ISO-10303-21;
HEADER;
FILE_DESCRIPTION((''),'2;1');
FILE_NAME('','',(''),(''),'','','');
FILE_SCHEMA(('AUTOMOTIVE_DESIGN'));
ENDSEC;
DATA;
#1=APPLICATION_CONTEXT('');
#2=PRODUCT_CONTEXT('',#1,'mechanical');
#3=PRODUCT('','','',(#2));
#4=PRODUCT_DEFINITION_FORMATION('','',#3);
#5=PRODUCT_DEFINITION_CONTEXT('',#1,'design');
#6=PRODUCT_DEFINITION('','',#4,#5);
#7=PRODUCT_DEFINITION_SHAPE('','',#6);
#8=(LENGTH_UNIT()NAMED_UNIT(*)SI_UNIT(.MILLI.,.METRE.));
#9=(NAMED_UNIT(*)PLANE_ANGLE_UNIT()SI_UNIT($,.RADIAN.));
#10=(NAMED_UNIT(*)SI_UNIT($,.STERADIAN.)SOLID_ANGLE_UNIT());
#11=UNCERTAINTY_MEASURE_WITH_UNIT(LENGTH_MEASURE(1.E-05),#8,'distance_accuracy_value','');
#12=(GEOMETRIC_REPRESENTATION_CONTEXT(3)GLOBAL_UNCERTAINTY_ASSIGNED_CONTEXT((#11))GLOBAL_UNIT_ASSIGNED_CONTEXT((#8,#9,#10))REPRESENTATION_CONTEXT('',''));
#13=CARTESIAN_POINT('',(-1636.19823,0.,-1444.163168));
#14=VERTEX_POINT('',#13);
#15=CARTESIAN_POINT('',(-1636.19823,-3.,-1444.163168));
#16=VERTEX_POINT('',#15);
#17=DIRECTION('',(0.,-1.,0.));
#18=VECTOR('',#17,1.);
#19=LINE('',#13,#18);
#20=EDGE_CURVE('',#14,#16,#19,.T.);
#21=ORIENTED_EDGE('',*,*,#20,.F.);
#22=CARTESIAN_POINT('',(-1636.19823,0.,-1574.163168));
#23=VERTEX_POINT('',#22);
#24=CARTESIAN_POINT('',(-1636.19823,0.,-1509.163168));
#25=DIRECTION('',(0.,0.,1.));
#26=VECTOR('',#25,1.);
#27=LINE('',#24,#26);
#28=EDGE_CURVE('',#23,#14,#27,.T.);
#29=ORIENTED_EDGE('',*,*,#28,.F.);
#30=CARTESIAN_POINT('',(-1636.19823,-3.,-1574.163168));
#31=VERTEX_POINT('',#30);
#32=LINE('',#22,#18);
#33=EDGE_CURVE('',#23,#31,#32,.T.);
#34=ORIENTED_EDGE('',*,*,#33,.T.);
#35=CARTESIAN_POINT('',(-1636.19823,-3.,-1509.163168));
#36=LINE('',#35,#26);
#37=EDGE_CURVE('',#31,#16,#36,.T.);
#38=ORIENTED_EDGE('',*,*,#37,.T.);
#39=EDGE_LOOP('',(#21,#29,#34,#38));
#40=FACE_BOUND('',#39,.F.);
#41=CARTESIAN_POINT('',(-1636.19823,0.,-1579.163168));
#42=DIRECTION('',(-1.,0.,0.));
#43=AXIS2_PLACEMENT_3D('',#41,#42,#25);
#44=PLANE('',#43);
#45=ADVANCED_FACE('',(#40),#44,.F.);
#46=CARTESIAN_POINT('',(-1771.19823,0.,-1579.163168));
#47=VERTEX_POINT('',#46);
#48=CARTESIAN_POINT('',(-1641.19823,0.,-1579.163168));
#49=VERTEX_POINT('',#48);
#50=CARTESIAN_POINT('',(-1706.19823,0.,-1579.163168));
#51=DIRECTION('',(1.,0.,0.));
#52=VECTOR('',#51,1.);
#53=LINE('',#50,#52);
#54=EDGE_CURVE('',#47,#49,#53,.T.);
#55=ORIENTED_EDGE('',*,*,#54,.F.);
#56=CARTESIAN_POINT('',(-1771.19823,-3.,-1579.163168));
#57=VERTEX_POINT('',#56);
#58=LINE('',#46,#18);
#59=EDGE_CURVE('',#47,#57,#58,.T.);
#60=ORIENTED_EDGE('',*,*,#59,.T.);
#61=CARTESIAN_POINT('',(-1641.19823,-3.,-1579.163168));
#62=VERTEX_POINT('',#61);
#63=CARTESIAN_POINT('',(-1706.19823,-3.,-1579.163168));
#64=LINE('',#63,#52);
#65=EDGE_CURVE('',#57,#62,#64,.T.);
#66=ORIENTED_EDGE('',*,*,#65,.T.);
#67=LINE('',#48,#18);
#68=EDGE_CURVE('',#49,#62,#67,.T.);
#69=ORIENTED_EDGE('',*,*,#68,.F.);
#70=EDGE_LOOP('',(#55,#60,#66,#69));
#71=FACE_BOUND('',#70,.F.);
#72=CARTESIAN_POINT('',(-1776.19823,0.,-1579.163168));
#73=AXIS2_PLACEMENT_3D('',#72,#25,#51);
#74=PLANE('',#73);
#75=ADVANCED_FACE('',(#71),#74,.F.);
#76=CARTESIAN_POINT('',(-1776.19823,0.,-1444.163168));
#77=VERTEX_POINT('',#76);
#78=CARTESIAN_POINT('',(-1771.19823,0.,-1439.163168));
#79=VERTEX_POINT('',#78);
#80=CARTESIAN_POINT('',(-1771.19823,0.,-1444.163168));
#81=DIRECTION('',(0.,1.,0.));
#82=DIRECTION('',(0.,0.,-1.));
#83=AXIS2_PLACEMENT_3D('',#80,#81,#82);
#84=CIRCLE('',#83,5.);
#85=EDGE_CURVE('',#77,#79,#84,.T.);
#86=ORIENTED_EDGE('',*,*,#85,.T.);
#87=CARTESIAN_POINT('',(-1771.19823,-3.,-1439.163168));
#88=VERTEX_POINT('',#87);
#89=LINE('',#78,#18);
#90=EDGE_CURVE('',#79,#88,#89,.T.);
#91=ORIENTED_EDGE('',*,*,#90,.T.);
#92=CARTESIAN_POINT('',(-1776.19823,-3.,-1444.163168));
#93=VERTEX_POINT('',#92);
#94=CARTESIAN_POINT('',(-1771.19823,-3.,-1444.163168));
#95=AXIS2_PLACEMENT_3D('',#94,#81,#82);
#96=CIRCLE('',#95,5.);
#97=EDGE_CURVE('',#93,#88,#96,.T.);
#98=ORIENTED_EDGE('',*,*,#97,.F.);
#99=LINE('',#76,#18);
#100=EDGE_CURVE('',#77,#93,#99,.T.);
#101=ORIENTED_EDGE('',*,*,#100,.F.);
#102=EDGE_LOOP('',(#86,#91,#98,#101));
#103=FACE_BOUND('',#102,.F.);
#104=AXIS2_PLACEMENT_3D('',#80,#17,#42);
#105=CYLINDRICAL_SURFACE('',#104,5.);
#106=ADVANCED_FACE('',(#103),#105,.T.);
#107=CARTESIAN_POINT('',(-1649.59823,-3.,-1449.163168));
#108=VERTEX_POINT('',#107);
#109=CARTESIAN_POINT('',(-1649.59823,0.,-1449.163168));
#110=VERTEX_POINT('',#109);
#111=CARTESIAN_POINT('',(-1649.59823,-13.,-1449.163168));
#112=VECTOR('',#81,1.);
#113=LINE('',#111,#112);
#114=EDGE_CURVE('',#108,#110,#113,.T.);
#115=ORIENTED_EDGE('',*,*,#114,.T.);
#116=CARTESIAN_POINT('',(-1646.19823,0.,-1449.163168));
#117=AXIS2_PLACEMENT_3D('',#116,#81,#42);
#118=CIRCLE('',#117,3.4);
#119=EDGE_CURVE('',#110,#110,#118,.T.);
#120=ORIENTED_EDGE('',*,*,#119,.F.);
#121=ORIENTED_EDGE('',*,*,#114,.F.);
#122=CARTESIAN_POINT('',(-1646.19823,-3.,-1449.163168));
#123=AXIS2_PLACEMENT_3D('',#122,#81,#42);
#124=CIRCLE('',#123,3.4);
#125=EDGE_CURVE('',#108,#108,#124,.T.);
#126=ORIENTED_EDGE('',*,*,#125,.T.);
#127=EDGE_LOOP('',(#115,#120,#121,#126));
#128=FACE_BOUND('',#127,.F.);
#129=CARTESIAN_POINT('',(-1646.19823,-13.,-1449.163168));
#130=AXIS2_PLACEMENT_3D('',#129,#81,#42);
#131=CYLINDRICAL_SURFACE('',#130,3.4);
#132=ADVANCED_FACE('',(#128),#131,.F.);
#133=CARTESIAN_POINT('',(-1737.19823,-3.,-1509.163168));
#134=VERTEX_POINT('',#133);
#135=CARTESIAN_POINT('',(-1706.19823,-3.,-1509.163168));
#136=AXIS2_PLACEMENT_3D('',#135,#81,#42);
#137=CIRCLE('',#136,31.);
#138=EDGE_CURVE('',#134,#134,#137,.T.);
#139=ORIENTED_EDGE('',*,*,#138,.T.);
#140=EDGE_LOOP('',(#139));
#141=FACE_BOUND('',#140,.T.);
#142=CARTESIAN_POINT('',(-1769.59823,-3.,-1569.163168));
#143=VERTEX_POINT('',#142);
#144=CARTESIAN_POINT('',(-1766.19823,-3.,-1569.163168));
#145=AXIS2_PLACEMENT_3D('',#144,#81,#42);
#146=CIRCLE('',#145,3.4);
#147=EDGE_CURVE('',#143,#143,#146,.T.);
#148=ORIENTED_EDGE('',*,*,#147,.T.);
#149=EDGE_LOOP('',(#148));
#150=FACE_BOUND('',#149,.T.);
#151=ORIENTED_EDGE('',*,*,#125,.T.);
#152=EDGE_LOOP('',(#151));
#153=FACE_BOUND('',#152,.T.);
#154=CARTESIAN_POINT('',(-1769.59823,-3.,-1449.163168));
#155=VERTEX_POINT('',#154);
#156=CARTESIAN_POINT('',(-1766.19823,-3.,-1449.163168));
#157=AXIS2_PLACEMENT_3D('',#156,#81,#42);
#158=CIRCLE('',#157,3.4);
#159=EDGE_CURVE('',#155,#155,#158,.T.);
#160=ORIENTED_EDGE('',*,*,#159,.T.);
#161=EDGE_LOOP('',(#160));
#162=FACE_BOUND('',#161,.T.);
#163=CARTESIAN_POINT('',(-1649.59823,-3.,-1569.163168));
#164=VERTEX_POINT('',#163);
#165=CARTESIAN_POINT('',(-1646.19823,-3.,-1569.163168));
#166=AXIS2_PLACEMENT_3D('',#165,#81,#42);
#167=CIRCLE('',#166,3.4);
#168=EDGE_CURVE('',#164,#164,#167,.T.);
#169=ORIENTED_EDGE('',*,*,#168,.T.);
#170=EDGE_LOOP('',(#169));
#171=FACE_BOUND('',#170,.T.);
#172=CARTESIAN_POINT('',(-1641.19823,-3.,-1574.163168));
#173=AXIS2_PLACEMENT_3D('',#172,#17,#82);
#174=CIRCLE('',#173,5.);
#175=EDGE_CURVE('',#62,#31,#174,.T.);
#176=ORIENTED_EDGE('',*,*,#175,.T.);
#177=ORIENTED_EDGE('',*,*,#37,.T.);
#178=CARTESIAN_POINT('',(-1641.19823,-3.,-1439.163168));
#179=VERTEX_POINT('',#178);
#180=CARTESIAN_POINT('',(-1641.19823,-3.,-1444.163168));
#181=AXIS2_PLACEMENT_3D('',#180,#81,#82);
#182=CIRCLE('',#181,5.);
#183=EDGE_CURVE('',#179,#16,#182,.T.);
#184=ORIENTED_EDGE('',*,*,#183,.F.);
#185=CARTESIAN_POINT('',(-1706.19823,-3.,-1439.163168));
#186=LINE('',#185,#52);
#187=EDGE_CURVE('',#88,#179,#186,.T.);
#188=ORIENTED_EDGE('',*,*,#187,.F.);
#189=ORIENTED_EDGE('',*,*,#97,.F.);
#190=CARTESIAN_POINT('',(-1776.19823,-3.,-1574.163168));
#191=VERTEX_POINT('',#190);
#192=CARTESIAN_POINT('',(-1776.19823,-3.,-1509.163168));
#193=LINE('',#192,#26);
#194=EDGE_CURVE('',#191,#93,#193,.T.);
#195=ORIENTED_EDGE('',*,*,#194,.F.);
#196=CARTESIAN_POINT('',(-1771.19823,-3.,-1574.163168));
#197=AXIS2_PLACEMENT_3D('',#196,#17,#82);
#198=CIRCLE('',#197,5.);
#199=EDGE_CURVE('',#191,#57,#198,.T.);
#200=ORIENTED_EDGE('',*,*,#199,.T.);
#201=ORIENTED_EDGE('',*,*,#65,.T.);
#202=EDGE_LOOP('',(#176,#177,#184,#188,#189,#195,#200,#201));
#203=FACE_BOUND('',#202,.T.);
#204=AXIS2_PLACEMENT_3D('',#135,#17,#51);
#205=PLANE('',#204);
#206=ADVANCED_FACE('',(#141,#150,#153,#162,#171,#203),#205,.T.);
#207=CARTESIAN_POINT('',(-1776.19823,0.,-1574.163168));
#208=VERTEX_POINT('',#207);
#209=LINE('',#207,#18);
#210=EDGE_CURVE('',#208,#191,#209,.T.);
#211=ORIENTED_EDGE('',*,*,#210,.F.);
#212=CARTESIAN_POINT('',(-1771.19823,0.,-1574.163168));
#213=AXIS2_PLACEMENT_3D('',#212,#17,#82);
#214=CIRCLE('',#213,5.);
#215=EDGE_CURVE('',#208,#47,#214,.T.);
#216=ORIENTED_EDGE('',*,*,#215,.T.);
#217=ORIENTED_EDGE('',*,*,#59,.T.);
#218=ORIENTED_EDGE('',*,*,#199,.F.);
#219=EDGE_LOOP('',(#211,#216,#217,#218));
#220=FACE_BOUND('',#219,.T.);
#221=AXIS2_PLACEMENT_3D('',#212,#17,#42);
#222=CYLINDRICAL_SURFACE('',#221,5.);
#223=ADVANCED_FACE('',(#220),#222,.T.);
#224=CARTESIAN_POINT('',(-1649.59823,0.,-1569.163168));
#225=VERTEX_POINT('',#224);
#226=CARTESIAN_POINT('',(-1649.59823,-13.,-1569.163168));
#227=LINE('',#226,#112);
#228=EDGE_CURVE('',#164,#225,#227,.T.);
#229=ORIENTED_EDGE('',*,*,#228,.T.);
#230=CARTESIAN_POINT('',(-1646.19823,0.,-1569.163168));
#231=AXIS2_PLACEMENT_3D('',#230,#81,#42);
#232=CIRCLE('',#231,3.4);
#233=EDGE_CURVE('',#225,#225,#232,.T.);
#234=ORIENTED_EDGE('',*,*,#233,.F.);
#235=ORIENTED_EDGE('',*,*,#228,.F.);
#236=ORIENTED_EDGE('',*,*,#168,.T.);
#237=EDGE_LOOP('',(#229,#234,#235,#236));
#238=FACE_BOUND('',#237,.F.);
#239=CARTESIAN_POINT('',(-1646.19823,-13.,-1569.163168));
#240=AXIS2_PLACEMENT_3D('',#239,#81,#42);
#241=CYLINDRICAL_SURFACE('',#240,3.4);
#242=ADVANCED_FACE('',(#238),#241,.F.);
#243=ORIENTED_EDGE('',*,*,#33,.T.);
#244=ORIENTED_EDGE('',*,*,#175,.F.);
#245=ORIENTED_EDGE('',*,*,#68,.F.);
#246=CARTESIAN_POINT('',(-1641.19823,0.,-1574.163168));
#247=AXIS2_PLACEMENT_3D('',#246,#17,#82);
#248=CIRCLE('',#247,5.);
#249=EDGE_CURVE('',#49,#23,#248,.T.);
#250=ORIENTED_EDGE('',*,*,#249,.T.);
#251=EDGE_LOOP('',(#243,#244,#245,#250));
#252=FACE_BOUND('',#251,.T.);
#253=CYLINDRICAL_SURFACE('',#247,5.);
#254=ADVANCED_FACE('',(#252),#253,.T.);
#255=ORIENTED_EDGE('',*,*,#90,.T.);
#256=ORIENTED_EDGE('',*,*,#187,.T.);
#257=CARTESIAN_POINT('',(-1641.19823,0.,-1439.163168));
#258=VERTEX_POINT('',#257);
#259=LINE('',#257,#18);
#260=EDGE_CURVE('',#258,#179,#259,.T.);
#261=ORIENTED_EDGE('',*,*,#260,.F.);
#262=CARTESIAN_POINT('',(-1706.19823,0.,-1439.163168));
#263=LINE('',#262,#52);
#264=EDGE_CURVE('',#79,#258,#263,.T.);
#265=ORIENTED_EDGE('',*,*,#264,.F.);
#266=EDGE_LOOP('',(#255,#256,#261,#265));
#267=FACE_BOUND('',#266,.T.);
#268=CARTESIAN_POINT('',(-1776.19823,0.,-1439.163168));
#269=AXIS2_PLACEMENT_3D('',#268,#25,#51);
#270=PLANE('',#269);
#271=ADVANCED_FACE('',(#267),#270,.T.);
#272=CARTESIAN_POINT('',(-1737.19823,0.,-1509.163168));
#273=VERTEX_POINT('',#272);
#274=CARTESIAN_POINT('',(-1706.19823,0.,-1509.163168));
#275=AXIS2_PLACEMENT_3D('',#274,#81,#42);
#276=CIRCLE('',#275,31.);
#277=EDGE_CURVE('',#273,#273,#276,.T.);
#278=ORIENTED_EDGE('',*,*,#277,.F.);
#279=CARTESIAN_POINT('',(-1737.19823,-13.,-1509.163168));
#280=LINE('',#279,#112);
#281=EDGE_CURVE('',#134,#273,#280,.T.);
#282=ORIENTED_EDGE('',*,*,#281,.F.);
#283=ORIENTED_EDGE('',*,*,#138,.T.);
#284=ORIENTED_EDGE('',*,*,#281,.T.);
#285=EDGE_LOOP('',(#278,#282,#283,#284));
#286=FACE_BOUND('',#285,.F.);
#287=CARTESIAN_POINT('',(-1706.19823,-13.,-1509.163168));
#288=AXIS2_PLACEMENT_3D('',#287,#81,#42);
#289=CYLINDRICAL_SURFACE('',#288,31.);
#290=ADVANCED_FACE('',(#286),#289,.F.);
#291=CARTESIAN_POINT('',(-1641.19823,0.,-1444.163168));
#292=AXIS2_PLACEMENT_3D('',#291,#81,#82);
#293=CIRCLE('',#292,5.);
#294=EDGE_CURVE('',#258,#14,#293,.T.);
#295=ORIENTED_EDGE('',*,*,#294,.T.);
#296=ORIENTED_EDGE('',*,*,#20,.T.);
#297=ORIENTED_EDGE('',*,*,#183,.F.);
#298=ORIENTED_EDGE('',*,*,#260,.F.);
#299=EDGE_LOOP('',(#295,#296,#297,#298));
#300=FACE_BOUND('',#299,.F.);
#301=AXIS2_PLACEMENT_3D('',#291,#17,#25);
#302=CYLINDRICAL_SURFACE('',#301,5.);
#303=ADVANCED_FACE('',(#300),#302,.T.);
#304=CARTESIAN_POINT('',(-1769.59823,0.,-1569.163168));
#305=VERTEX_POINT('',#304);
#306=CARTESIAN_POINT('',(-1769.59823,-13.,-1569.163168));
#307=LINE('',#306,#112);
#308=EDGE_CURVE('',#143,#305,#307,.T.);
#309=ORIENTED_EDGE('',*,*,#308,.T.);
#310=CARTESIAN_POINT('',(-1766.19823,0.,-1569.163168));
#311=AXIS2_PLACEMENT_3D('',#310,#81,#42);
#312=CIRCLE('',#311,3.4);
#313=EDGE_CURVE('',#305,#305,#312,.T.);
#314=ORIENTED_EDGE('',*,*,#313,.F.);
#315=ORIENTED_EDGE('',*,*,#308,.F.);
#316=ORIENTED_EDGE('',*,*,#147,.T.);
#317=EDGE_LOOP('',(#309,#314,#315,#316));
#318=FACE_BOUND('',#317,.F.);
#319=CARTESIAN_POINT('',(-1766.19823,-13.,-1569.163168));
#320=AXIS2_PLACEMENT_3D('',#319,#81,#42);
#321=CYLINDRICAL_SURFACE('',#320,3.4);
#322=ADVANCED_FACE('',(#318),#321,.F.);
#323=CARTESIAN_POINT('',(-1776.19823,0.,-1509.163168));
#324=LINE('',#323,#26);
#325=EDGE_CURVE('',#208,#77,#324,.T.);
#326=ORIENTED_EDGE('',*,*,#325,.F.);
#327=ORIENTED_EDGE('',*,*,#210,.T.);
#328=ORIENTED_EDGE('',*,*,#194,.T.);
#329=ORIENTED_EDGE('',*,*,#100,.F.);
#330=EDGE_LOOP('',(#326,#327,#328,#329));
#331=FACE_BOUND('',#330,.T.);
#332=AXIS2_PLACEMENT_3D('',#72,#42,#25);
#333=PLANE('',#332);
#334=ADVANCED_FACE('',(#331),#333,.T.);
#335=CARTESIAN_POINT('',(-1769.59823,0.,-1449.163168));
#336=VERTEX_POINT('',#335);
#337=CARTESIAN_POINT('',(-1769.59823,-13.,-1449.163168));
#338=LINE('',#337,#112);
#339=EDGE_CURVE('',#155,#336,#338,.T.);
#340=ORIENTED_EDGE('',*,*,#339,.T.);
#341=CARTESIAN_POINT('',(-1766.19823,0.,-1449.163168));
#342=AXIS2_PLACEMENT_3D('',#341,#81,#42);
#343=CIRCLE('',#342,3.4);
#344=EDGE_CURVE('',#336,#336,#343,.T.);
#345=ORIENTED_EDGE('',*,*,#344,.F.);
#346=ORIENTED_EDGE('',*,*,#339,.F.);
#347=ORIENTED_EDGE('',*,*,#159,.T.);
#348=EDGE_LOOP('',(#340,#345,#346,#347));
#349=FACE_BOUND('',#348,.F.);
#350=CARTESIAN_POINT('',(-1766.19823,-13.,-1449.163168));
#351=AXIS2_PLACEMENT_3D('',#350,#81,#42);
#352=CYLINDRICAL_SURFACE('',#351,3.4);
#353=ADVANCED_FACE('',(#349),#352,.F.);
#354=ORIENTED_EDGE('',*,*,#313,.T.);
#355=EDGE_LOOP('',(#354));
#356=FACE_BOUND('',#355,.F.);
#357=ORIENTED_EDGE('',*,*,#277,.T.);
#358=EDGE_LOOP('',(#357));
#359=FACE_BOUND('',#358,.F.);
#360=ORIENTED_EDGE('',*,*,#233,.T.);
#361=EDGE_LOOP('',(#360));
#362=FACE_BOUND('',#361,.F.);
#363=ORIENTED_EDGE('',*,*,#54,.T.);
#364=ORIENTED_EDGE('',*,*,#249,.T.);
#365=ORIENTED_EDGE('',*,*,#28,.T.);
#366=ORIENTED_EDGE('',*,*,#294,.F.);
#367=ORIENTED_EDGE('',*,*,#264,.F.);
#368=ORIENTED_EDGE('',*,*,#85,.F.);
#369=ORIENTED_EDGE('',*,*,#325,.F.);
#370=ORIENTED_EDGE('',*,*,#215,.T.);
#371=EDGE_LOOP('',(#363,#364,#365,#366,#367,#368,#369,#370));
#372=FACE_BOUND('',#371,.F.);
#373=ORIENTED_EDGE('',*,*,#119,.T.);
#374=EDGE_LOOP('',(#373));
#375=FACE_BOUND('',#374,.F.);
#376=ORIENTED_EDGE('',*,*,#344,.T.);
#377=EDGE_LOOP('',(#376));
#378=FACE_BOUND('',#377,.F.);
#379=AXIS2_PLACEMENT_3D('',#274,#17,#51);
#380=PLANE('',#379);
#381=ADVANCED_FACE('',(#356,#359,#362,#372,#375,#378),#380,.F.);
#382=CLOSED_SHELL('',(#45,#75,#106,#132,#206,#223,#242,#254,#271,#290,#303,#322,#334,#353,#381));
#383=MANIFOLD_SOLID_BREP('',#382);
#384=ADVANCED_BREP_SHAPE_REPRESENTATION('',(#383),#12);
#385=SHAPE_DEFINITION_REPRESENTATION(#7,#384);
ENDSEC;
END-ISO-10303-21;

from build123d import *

# Parameters (mm, degrees)
F0_W     = 140
F0_H     = 140
F1_DEPTH = 3
F3_D     = 6.8
F3_DEPTH = 10
F4_R     = 5
F6_D     = 62
F6_DEPTH = 10


with BuildPart() as f1:
    # F0 (on Front) → F1 (new body)
    with BuildSketch(Plane.XZ):
        with Locations((-1706.19823, -1509.163168)):
            Rectangle(F0_W, F0_H)
    extrude(amount=F1_DEPTH)

    # F3
    with Locations(Plane.XZ.offset(3)):
        with Locations((-1766.19823, -1449.163168), (-1646.19823, -1449.163168), (-1646.19823, -1569.163168), (-1766.19823, -1569.163168)):
            Hole(F3_D / 2, depth=F3_DEPTH)

    # F4
    f4_edges = [f1.edges().sort_by_distance(p)[0] for p in [
        (-1636.19823, -1.5, -1439.163168),
        (-1636.19823, -1.5, -1579.163168),
        (-1776.19823, -1.5, -1439.163168),
        (-1776.19823, -1.5, -1579.163168),
    ]]
    fillet(f4_edges, radius=F4_R)

    # F6
    with Locations(Plane.XZ.offset(3)):
        with Locations((-1706.19823, -1509.163168)):
            Hole(F6_D / 2, depth=F6_DEPTH)


solid = f1.part
